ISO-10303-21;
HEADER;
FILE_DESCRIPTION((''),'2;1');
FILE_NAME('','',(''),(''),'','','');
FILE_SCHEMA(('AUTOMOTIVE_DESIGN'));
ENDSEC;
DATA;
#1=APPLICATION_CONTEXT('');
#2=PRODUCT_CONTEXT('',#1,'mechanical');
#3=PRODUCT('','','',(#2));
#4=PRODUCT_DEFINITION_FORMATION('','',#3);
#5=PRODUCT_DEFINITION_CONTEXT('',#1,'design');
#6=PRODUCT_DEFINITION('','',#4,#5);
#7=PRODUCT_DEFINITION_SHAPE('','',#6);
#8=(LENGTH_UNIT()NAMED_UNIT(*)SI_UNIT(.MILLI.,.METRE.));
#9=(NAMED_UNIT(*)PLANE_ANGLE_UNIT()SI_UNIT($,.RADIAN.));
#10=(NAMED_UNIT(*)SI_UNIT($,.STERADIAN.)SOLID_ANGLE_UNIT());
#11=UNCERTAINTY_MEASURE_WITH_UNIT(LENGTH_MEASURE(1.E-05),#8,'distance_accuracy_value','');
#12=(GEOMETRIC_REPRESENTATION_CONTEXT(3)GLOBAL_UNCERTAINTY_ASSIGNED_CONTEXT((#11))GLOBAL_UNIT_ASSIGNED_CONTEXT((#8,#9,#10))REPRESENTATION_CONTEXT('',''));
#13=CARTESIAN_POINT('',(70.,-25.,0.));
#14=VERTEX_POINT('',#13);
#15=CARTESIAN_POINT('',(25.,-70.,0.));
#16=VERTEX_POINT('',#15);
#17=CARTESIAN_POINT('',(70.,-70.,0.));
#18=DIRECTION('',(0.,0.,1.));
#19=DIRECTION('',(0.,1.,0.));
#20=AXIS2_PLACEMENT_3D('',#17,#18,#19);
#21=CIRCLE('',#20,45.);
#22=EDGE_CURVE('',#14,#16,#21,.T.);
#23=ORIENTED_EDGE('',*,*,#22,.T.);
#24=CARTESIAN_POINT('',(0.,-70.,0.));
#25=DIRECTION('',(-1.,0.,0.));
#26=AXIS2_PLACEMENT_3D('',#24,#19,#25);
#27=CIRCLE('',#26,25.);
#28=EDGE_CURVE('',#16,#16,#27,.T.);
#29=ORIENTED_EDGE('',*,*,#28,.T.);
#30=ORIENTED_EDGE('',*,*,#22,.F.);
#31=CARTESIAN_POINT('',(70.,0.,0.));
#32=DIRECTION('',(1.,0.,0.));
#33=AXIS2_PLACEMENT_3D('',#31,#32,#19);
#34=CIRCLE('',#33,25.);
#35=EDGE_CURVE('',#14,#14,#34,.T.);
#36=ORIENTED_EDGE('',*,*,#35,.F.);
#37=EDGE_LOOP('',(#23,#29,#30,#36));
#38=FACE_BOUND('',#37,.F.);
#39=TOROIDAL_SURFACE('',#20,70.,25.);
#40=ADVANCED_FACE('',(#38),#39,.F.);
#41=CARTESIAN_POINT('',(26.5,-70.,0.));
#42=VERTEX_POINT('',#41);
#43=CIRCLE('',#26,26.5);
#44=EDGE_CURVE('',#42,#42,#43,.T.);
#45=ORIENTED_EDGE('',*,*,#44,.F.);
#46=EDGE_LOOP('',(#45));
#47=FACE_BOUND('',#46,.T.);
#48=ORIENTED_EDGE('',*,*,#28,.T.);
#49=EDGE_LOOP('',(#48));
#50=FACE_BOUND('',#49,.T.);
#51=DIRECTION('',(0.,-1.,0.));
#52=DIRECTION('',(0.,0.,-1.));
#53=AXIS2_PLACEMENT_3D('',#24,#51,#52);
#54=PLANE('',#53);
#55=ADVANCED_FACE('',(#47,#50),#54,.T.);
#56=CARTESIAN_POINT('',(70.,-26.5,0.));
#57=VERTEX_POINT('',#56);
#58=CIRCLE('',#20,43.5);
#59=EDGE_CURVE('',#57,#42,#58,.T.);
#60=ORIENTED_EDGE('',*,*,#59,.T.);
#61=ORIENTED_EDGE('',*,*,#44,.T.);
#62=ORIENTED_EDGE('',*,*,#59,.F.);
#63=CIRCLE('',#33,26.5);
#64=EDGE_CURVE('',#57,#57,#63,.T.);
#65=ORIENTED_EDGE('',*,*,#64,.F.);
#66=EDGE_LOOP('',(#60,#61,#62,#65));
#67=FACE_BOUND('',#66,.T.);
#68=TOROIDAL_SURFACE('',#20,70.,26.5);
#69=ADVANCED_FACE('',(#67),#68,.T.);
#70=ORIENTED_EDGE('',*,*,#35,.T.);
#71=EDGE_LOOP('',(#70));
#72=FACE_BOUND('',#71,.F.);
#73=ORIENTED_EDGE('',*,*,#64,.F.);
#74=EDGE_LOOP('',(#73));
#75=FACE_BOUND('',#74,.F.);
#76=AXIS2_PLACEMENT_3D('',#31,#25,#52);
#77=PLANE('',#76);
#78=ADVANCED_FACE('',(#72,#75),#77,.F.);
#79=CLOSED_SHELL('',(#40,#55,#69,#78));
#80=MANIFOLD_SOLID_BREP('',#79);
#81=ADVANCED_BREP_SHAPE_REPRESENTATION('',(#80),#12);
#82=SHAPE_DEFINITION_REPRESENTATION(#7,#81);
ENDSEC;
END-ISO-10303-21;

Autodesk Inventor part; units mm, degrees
ref_plane "YZ Plane" through (0, 0, 0) normal (1, 0, 0) x (0, 1, 0)
ref_plane "XZ Plane" through (0, 0, 0) normal (0, 1, 0) x (-1, 0, 0)
sketch "Szkic6" plane through (0, 0, 0) normal (0, 0, 1) x (1, 0, 0)
  line L0 (-29.6067, 0) -> (35.2678, 0) construction
  line L1 (0, 42.3419) -> (0, -58.3726) construction
  arc A0 (70, 0) -> (0, -70) centre (70, -70) ccw
  line L2 (0, -70) -> (70, -70) construction
  line L3 (70, -70) -> (70, -4.4669) construction
  line L4 (70, 0) -> (70, 0)
  line L5 (0, -70) -> (0, -70)
  point P0 (0, 0)
  dimension "d24" = 70
  dimension "d31" = 90
  dimension "d36" = 0
  dimension "d37" = 0
ref_plane "Płaszczyzna konstrukcyjna2" through (0, -70, 0) normal (0, -1, 0) x (1, 0, 0)
sketch "Szkic8" plane through (0, -70, 0) normal (0, -1, 0) x (1, 0, 0)
  circle A0 centre (0, 0) radius 26.5
  circle A1 centre (0, 0) radius 25
  dimension "d32" = 53
  dimension "d33" = 1.5
sweep "Przeciągnięcie2" add profiles "Szkic8" path "Szkic6"
equation "\"d32\" = OD"
equation "\"d33\" = THK"
equation "\"d24\" = R"
equation "\"d31\" = KAT"
equation "\"SzerokośćGięciaPodcięcia\" = Grubość"
equation "\"RozmiarPodcięciaNarożnika\" = 4 * Grubość"
equation "\"PromieńPrzejścia\" = PromieńGięcia"
equation "\"Rozmiar_promienia_Jacobiego\" = PromieńGięcia"
equation "\"Wielk_odstępu\" = Grubość"
equation "\"d2\" = PromieńGięcia"
equation "\"d23\" = PromieńGięcia"
equation "\"R\" = 70"
equation "\"OD\" = 53"
equation "\"THK\" = 1.5"
equation "\"KAT\" = 90deg"
equation "\"PROSTKA\" = 0"
equation "\"Grubość\" = 1.5"
equation "\"PromieńGięcia\" = 3"
properties part number "Kolano 90° ø53x1,5 R70" material "304L"
